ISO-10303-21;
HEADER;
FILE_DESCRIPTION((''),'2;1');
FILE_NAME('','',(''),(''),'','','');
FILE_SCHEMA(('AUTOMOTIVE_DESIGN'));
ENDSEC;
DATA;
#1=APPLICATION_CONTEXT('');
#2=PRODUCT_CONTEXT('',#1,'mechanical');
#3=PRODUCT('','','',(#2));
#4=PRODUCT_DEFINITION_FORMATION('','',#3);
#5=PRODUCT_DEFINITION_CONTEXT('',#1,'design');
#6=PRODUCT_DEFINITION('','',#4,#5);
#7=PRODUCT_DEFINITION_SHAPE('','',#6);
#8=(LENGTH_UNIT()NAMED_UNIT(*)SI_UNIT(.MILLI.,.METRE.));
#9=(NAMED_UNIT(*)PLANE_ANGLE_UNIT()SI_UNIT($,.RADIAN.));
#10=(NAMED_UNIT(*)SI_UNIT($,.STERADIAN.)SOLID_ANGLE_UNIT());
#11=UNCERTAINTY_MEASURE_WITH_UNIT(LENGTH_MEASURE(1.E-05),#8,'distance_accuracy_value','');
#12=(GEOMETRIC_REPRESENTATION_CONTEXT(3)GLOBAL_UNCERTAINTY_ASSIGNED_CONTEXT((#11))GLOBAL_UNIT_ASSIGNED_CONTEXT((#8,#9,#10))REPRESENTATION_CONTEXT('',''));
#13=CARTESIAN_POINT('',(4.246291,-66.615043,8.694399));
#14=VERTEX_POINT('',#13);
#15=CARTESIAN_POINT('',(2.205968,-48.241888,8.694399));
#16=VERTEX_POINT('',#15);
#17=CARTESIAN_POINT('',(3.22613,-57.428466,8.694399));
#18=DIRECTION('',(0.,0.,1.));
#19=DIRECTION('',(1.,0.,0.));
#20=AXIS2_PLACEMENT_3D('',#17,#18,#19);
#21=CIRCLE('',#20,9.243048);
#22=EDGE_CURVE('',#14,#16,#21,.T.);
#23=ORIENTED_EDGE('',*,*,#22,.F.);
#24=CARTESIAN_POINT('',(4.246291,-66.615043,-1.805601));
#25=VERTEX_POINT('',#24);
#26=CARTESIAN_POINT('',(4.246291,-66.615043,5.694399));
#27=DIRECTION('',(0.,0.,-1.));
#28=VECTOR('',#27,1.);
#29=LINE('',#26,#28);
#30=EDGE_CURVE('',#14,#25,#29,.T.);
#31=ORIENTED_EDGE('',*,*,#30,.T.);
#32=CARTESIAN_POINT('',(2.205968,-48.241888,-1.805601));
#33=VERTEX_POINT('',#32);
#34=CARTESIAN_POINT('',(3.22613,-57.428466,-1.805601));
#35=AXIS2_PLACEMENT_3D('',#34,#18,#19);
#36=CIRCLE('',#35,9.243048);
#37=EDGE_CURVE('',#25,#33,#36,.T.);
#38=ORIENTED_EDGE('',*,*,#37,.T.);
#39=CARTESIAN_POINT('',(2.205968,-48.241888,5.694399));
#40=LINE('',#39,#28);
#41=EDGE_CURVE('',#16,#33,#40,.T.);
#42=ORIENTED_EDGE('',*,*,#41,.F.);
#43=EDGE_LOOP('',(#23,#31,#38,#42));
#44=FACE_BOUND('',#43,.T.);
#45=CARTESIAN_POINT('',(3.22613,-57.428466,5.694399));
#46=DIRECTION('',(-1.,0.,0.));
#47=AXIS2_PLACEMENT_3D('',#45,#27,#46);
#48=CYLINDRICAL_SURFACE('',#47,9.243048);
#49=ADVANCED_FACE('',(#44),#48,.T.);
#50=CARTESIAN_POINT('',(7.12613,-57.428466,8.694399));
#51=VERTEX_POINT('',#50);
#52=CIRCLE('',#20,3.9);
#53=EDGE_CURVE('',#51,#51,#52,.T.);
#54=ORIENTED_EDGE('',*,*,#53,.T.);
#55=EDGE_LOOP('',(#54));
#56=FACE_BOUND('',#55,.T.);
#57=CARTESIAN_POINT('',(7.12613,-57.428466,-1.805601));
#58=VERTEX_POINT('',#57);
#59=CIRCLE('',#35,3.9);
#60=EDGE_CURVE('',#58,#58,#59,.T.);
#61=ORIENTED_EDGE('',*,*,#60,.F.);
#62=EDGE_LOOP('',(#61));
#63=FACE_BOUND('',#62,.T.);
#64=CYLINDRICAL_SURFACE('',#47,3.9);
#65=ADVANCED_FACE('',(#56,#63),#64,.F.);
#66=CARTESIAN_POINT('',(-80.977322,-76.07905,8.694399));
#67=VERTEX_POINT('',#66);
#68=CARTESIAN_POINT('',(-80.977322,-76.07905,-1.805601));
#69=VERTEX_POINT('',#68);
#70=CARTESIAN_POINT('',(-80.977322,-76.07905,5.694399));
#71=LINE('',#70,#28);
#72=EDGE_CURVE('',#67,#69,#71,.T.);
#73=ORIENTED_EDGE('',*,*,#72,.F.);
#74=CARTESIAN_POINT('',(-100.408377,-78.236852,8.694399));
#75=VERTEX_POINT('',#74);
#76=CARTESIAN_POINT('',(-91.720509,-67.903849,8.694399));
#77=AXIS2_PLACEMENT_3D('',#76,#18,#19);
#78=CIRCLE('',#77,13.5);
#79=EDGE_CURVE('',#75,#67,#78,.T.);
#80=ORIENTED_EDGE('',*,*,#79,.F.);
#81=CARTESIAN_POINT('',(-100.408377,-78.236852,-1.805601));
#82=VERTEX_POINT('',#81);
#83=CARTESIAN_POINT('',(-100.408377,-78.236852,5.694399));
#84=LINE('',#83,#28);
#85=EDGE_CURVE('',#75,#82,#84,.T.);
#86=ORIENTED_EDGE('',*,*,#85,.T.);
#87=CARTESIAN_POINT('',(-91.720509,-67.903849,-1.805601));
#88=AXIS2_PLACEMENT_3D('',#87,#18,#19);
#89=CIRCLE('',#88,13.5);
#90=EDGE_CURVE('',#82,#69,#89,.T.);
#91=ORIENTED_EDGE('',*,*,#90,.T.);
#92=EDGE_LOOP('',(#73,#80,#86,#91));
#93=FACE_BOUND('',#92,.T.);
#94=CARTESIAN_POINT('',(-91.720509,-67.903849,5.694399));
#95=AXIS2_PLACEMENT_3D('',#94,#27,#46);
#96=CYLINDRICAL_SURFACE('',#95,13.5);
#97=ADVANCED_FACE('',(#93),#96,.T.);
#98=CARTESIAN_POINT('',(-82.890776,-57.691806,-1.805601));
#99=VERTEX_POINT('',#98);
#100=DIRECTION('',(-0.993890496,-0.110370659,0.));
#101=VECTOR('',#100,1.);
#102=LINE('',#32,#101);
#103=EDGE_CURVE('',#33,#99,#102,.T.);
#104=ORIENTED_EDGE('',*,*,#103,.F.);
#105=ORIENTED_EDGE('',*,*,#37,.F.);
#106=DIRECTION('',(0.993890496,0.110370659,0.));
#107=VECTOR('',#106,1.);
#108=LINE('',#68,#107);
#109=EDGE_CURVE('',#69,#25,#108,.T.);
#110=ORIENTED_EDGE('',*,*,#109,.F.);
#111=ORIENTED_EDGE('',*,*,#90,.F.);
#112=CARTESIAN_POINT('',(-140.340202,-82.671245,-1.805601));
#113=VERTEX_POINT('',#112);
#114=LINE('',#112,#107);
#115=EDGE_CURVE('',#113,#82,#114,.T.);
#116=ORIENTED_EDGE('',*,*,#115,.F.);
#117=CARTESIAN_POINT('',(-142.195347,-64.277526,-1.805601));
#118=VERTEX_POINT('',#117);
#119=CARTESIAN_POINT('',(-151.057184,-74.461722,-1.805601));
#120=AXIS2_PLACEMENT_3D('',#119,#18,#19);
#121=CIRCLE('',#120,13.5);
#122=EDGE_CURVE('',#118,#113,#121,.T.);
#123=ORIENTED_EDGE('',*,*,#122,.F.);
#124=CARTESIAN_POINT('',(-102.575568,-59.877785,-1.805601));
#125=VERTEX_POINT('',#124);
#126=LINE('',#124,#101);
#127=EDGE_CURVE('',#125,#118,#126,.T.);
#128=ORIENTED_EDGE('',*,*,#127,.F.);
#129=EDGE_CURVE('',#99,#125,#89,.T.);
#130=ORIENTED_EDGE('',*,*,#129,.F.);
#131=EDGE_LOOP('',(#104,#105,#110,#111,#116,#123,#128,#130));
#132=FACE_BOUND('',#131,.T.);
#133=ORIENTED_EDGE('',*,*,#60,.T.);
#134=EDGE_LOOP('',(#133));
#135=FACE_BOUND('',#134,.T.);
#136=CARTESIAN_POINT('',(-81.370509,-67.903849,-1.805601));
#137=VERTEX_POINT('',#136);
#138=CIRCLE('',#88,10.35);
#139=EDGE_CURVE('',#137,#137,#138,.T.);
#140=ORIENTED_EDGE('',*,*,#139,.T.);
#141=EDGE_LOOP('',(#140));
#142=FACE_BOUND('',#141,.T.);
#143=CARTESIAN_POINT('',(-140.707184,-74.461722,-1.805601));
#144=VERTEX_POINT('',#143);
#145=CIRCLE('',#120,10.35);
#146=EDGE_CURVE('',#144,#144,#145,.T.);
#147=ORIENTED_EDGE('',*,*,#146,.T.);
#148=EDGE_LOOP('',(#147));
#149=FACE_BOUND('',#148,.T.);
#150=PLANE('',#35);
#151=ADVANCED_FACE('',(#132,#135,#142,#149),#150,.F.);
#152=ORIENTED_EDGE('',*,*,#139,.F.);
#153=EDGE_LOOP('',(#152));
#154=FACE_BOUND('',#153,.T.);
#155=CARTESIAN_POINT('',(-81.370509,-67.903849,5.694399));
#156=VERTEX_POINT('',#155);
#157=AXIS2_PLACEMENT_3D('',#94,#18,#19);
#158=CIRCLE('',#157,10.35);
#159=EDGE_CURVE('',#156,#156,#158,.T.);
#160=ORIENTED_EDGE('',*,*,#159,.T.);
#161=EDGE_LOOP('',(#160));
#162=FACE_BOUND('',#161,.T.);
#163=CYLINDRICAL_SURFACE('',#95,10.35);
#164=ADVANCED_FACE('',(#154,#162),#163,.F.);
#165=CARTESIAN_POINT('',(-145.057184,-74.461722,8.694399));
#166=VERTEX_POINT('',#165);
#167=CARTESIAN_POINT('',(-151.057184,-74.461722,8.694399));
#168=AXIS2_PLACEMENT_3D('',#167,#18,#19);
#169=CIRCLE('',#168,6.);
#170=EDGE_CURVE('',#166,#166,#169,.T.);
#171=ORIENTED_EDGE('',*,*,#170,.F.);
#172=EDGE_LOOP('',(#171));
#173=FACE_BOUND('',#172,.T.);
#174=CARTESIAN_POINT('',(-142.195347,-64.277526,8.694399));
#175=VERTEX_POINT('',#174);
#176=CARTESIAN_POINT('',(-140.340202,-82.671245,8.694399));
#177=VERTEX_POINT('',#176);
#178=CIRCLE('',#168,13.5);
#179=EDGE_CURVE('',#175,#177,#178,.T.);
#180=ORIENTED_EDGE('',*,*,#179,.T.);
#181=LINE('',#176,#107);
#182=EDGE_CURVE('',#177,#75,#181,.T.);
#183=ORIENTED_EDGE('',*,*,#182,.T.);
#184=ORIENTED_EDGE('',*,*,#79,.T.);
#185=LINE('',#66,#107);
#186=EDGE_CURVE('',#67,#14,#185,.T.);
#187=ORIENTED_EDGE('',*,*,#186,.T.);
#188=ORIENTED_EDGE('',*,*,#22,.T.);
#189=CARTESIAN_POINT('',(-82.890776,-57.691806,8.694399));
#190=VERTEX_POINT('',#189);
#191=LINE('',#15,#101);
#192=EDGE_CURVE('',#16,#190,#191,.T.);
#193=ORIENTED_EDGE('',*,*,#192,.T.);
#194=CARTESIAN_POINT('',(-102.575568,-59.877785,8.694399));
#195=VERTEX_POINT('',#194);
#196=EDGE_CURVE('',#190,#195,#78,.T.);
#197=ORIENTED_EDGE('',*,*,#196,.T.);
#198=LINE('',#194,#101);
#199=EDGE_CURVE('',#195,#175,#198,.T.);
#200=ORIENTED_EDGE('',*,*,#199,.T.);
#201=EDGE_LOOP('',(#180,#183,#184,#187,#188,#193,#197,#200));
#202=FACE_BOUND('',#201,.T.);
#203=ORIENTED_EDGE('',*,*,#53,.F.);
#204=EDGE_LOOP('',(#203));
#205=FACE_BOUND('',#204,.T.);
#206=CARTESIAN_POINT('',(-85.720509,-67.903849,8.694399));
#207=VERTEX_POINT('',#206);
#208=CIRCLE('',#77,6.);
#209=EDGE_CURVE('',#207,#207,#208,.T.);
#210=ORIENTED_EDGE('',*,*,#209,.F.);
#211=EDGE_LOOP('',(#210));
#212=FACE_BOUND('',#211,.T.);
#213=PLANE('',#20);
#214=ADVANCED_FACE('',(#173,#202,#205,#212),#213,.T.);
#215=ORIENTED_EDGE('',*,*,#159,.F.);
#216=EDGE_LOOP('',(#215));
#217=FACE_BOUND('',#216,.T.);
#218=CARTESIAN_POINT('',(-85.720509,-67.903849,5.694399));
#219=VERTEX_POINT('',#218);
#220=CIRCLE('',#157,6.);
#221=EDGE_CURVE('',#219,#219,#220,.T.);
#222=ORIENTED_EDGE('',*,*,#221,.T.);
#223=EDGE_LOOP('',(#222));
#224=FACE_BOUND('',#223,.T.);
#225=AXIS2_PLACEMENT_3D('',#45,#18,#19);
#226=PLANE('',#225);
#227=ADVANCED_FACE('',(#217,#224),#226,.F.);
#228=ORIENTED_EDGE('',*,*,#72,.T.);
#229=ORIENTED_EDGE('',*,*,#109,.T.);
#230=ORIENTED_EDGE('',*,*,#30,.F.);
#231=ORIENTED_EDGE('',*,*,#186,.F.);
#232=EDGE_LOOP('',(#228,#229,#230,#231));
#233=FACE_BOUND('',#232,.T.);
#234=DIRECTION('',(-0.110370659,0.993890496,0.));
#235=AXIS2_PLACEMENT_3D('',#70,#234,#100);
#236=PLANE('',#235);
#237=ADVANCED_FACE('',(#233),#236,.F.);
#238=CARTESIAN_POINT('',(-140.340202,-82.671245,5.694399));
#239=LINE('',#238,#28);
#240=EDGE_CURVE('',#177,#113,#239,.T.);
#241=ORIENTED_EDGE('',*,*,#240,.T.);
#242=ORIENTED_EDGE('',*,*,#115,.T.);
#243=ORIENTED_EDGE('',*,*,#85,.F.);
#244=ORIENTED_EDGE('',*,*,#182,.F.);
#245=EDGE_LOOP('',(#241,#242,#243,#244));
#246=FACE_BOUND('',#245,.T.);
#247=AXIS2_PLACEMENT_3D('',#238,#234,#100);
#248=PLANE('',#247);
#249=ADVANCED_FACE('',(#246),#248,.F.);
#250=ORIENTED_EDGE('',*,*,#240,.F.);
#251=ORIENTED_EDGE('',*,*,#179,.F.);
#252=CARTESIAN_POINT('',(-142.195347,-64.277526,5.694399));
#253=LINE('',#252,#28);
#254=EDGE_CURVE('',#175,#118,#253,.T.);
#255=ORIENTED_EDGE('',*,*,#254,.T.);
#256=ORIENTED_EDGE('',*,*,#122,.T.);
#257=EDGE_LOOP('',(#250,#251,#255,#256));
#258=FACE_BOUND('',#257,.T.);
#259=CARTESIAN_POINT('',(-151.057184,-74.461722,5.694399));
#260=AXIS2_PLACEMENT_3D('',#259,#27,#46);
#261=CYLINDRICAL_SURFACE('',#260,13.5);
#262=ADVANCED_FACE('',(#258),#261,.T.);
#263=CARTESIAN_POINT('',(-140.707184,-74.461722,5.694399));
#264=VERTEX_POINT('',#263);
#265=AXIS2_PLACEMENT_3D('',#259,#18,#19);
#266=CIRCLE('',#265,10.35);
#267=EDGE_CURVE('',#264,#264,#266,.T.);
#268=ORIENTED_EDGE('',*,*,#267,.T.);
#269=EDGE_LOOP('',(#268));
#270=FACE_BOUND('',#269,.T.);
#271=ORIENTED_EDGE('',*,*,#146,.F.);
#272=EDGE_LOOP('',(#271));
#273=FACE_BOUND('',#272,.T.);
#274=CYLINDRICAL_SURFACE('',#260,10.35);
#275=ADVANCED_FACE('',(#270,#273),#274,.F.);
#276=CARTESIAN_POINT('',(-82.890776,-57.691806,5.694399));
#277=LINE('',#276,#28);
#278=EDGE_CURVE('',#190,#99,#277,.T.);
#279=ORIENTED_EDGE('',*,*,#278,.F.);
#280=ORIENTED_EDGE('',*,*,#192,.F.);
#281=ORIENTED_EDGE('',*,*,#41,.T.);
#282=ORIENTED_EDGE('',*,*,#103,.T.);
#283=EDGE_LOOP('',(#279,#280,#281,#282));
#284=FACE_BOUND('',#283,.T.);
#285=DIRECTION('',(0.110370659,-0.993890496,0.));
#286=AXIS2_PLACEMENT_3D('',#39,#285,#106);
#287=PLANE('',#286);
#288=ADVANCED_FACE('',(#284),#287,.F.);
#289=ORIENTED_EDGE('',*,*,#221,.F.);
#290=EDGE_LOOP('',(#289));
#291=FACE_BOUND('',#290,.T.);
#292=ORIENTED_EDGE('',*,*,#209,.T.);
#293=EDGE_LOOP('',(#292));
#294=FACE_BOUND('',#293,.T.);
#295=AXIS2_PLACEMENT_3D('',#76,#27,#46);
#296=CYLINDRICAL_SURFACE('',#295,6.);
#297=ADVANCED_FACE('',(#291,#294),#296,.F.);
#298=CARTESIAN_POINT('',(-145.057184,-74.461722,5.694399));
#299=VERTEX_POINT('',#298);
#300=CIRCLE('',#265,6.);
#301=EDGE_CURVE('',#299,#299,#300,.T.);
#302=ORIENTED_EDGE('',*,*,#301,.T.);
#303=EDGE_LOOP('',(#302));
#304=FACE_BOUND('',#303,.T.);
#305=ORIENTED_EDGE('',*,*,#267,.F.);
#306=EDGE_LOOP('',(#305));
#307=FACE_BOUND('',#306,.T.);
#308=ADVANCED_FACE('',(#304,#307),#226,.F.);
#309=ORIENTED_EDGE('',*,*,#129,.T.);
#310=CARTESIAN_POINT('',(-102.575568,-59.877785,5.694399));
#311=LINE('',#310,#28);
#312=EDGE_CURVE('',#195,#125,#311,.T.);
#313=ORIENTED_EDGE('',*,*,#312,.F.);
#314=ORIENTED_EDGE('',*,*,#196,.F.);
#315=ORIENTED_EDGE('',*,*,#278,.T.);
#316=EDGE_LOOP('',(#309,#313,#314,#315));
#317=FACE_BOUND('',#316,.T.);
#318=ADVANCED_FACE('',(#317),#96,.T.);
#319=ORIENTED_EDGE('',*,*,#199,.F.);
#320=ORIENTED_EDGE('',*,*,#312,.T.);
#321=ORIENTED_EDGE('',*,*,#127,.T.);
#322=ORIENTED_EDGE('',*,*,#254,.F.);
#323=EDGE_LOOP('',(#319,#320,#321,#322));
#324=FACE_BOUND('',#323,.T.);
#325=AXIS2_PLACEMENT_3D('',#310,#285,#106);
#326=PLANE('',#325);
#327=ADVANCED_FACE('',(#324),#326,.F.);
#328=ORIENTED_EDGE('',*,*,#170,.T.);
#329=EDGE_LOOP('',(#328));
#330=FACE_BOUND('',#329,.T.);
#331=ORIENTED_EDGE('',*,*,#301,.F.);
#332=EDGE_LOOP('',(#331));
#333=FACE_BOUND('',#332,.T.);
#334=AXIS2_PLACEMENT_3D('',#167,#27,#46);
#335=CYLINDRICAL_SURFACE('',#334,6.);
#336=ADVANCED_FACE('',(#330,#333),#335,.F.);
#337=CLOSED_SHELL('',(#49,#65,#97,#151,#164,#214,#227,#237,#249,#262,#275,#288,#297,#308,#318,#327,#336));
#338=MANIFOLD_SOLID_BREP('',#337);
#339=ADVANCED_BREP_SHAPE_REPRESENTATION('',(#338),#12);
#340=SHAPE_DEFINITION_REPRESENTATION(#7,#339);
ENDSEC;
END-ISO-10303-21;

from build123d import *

# Parameters (mm, degrees)
SKETCH1_R           = 2.6
SKETCH1_R_2         = 6.9
BOSS_EXTRUDE1_DEPTH = 5
SKETCH2_R           = 2.6
SKETCH2_R_2         = 4
BOSS_EXTRUDE2_DEPTH = 2
SCALE1_SCALE        = 1.5


with BuildPart() as part:
    # Sketch1 → Boss-Extrude1 (new body)
    with BuildSketch(Plane.XY):
        with BuildLine():
            Line((-117.842377899, -77.068349263), (-91.221161774, -74.112086796))
            ThreePointArc((-91.221161774, -74.112086796), (-84.435913767, -76.1684327), (-78.267124508, -72.673552434))
            Line((-78.267124508, -72.673552434), (-21.451382857, -66.364214657))
            ThreePointArc((-21.451382857, -66.364214657), (-16.007105356, -59.559722092), (-22.811597922, -54.115444591))
            Line((-22.811597922, -54.115444591), (-79.542760834, -60.415389973))
            ThreePointArc((-79.542760834, -60.415389973), (-86.42258563, -58.278403776), (-92.665955577, -61.872709124))
            Line((-92.665955577, -61.872709124), (-119.079141177, -64.805869985))
            ThreePointArc((-119.079141177, -64.805869985), (-133.941604274, -72.498469269), (-117.842377899, -77.068349263))
        make_face()
        with Locations((-22.131490389, -60.239829624)):
            Circle(SKETCH1_R, mode=Mode.SUBTRACT)
        with Locations((-85.429249698, -67.223418238)):
            Circle(SKETCH1_R_2, mode=Mode.SUBTRACT)
        with Locations((-124.987033061, -71.595333402)):
            Circle(SKETCH1_R_2, mode=Mode.SUBTRACT)
    extrude(amount=BOSS_EXTRUDE1_DEPTH)

    # Sketch2 → Boss-Extrude2 (add)
    with BuildSketch(Plane.XY.offset(5)):
        with BuildLine():
            Line((-22.811597922, -54.115444591), (-79.542760834, -60.415389973))
            ThreePointArc((-79.542760834, -60.415389973), (-86.42258563, -58.278403776), (-92.665955577, -61.872709124))
            Line((-92.665955577, -61.872709124), (-119.079141177, -64.805869985))
            ThreePointArc((-119.079141177, -64.805869985), (-133.941604274, -72.498469269), (-117.842377899, -77.068349263))
            Line((-117.842377899, -77.068349263), (-91.221161774, -74.112086796))
            ThreePointArc((-91.221161774, -74.112086796), (-84.435913767, -76.1684327), (-78.267124508, -72.673552434))
            Line((-78.267124508, -72.673552434), (-21.451382857, -66.364214657))
            ThreePointArc((-21.451382857, -66.364214657), (-16.007105356, -59.559722092), (-22.811597922, -54.115444591))
        make_face()
        with Locations((-22.131490389, -60.239829624)):
            Circle(SKETCH2_R, mode=Mode.SUBTRACT)
        with Locations((-85.429249698, -67.223418238)):
            Circle(SKETCH2_R_2, mode=Mode.SUBTRACT)
        with Locations((-124.987033061, -71.595333402)):
            Circle(SKETCH2_R_2, mode=Mode.SUBTRACT)
    extrude(amount=BOSS_EXTRUDE2_DEPTH)


with BuildPart() as part_1:
    # Scale1: scaled about (-72.846730446, -65.862557014, 3.611202843)
    add(part.part.scale(SCALE1_SCALE).moved(Location((36.423365223, 32.931278507, -1.805601422))))


solid = part_1.part
